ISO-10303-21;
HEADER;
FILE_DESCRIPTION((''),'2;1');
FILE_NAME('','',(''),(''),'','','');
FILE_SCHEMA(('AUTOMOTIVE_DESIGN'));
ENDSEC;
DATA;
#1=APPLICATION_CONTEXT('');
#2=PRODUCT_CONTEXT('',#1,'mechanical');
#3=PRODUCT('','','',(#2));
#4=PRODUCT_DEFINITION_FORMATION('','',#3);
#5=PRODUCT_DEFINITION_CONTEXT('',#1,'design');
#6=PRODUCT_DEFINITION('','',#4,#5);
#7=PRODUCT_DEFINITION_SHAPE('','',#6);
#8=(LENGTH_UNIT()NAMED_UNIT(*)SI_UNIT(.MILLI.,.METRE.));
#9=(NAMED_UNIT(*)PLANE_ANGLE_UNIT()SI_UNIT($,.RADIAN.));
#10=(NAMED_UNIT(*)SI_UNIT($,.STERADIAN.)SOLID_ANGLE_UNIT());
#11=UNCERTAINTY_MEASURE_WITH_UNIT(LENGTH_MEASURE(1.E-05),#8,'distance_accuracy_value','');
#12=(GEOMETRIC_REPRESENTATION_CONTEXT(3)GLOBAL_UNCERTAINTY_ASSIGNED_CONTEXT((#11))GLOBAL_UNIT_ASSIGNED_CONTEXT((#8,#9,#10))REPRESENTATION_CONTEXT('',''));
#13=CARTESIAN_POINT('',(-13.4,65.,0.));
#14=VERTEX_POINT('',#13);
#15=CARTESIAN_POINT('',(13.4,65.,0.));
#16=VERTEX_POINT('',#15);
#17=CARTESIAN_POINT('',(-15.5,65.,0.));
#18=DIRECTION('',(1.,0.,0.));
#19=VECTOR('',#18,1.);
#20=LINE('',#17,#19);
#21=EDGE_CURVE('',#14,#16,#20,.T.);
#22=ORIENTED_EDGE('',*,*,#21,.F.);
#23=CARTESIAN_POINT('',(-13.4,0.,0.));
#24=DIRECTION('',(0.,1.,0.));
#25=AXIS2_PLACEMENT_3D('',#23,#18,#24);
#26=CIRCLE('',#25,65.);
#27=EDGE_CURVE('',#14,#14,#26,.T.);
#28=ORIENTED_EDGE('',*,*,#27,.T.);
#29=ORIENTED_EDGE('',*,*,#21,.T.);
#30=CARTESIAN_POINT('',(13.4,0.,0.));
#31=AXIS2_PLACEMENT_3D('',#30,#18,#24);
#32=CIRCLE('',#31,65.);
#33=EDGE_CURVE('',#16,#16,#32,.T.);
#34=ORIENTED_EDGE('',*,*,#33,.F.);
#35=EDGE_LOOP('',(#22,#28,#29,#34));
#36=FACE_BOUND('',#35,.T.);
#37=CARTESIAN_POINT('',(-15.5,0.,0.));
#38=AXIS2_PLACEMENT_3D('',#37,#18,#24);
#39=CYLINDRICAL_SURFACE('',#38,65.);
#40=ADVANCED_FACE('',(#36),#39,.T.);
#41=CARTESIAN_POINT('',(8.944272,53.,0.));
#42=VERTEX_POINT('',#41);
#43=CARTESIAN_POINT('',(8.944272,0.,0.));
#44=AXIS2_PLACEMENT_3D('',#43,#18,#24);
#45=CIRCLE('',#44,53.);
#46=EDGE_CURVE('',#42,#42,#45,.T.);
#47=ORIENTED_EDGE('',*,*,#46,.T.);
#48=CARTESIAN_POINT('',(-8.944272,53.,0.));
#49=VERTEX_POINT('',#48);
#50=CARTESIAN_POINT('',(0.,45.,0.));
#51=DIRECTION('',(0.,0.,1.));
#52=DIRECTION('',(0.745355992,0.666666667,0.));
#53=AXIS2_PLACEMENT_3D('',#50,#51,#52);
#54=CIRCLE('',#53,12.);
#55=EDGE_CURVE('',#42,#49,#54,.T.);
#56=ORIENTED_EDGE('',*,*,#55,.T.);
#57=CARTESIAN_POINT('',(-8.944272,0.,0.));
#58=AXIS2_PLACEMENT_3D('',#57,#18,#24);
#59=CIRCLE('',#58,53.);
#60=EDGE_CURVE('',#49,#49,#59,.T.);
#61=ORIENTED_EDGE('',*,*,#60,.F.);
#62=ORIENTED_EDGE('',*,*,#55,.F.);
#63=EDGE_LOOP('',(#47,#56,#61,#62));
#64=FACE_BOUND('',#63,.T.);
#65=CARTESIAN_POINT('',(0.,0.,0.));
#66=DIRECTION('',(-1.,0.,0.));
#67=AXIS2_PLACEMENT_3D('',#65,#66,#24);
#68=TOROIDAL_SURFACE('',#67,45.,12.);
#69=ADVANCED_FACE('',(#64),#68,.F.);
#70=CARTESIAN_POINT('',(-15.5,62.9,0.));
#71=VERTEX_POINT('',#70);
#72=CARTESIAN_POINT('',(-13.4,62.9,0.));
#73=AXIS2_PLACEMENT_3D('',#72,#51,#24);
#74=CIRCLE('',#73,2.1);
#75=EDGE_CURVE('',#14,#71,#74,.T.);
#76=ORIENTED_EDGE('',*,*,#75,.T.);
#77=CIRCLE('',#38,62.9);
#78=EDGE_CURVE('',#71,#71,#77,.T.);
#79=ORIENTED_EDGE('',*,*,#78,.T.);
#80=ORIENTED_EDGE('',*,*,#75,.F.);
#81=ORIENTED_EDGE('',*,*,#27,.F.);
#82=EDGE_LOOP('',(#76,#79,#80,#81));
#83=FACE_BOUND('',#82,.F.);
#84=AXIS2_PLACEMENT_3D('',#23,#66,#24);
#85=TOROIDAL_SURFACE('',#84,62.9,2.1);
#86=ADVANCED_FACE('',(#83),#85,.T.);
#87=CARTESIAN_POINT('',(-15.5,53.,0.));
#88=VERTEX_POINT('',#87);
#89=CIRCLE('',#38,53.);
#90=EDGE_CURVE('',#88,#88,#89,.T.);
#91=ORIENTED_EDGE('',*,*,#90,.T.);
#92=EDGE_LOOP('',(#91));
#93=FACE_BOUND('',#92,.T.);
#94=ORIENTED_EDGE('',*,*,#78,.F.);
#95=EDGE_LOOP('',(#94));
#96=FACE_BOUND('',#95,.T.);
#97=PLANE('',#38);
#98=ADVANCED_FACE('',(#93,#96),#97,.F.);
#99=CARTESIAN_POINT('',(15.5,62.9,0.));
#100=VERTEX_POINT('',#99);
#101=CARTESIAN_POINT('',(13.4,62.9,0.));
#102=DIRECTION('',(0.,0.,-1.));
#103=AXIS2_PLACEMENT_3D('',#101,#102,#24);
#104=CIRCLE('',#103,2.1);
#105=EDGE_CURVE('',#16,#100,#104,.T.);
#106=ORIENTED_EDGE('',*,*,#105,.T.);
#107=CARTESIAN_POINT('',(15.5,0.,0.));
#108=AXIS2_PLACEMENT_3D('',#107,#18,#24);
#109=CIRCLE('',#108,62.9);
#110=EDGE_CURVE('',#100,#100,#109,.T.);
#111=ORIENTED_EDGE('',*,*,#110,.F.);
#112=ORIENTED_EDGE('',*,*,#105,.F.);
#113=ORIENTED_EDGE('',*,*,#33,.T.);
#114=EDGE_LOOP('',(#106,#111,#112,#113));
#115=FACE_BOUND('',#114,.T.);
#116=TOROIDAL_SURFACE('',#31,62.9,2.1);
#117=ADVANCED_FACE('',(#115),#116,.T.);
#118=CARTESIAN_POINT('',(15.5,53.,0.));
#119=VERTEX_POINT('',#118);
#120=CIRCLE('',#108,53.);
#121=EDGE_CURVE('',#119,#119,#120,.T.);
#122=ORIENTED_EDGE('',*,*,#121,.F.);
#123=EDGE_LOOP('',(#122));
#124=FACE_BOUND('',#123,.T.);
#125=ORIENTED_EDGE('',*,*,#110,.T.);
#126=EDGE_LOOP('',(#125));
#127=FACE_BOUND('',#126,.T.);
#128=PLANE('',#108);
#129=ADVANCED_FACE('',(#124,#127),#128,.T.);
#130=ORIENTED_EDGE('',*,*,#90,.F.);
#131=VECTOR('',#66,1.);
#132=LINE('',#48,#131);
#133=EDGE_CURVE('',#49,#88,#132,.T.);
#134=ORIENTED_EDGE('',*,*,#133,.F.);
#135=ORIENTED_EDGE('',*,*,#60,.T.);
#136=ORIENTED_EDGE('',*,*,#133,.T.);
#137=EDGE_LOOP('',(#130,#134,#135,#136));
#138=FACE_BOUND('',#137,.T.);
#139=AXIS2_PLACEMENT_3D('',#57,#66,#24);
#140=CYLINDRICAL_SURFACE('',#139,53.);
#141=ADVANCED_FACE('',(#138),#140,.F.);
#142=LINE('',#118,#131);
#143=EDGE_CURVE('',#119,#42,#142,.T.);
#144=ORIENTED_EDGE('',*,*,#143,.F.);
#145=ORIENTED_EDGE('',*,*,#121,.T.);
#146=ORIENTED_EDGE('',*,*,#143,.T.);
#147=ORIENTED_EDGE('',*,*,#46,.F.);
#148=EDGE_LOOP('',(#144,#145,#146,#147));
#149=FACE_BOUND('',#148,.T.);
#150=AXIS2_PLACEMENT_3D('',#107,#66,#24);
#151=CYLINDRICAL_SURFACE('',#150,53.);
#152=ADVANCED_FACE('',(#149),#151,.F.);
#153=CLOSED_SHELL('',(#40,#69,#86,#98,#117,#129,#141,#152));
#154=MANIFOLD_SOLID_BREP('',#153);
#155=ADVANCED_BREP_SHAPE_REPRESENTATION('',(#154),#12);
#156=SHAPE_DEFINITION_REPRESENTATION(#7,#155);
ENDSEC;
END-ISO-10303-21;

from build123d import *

# Parameters (mm, degrees)
FILLET1_R = 2.1


with BuildPart() as part:
    # Sketch1 → Revolve1 (revolve)
    with BuildSketch(Plane.XY):
        with BuildLine():
            Line((-15.5, 65), (15.5, 65))
            Line((15.5, 65), (15.5, 53))
            Line((15.5, 53), (8.94427191, 53))
            ThreePointArc((8.94427191, 53), (0, 57), (-8.94427191, 53))
            Line((-8.94427191, 53), (-15.5, 53))
            Line((-15.5, 53), (-15.5, 65))
        make_face()
    revolve(axis=Axis((-41.527742449, 0, 0), (1, 0, 0)))

    # Fillet1
    fillet1_edges = [part.edges().sort_by_distance(p)[0] for p in [
        (-15.5, -65, 0),
        (15.5, -65, 0),
    ]]
    fillet(fillet1_edges, radius=FILLET1_R)


solid = part.part
